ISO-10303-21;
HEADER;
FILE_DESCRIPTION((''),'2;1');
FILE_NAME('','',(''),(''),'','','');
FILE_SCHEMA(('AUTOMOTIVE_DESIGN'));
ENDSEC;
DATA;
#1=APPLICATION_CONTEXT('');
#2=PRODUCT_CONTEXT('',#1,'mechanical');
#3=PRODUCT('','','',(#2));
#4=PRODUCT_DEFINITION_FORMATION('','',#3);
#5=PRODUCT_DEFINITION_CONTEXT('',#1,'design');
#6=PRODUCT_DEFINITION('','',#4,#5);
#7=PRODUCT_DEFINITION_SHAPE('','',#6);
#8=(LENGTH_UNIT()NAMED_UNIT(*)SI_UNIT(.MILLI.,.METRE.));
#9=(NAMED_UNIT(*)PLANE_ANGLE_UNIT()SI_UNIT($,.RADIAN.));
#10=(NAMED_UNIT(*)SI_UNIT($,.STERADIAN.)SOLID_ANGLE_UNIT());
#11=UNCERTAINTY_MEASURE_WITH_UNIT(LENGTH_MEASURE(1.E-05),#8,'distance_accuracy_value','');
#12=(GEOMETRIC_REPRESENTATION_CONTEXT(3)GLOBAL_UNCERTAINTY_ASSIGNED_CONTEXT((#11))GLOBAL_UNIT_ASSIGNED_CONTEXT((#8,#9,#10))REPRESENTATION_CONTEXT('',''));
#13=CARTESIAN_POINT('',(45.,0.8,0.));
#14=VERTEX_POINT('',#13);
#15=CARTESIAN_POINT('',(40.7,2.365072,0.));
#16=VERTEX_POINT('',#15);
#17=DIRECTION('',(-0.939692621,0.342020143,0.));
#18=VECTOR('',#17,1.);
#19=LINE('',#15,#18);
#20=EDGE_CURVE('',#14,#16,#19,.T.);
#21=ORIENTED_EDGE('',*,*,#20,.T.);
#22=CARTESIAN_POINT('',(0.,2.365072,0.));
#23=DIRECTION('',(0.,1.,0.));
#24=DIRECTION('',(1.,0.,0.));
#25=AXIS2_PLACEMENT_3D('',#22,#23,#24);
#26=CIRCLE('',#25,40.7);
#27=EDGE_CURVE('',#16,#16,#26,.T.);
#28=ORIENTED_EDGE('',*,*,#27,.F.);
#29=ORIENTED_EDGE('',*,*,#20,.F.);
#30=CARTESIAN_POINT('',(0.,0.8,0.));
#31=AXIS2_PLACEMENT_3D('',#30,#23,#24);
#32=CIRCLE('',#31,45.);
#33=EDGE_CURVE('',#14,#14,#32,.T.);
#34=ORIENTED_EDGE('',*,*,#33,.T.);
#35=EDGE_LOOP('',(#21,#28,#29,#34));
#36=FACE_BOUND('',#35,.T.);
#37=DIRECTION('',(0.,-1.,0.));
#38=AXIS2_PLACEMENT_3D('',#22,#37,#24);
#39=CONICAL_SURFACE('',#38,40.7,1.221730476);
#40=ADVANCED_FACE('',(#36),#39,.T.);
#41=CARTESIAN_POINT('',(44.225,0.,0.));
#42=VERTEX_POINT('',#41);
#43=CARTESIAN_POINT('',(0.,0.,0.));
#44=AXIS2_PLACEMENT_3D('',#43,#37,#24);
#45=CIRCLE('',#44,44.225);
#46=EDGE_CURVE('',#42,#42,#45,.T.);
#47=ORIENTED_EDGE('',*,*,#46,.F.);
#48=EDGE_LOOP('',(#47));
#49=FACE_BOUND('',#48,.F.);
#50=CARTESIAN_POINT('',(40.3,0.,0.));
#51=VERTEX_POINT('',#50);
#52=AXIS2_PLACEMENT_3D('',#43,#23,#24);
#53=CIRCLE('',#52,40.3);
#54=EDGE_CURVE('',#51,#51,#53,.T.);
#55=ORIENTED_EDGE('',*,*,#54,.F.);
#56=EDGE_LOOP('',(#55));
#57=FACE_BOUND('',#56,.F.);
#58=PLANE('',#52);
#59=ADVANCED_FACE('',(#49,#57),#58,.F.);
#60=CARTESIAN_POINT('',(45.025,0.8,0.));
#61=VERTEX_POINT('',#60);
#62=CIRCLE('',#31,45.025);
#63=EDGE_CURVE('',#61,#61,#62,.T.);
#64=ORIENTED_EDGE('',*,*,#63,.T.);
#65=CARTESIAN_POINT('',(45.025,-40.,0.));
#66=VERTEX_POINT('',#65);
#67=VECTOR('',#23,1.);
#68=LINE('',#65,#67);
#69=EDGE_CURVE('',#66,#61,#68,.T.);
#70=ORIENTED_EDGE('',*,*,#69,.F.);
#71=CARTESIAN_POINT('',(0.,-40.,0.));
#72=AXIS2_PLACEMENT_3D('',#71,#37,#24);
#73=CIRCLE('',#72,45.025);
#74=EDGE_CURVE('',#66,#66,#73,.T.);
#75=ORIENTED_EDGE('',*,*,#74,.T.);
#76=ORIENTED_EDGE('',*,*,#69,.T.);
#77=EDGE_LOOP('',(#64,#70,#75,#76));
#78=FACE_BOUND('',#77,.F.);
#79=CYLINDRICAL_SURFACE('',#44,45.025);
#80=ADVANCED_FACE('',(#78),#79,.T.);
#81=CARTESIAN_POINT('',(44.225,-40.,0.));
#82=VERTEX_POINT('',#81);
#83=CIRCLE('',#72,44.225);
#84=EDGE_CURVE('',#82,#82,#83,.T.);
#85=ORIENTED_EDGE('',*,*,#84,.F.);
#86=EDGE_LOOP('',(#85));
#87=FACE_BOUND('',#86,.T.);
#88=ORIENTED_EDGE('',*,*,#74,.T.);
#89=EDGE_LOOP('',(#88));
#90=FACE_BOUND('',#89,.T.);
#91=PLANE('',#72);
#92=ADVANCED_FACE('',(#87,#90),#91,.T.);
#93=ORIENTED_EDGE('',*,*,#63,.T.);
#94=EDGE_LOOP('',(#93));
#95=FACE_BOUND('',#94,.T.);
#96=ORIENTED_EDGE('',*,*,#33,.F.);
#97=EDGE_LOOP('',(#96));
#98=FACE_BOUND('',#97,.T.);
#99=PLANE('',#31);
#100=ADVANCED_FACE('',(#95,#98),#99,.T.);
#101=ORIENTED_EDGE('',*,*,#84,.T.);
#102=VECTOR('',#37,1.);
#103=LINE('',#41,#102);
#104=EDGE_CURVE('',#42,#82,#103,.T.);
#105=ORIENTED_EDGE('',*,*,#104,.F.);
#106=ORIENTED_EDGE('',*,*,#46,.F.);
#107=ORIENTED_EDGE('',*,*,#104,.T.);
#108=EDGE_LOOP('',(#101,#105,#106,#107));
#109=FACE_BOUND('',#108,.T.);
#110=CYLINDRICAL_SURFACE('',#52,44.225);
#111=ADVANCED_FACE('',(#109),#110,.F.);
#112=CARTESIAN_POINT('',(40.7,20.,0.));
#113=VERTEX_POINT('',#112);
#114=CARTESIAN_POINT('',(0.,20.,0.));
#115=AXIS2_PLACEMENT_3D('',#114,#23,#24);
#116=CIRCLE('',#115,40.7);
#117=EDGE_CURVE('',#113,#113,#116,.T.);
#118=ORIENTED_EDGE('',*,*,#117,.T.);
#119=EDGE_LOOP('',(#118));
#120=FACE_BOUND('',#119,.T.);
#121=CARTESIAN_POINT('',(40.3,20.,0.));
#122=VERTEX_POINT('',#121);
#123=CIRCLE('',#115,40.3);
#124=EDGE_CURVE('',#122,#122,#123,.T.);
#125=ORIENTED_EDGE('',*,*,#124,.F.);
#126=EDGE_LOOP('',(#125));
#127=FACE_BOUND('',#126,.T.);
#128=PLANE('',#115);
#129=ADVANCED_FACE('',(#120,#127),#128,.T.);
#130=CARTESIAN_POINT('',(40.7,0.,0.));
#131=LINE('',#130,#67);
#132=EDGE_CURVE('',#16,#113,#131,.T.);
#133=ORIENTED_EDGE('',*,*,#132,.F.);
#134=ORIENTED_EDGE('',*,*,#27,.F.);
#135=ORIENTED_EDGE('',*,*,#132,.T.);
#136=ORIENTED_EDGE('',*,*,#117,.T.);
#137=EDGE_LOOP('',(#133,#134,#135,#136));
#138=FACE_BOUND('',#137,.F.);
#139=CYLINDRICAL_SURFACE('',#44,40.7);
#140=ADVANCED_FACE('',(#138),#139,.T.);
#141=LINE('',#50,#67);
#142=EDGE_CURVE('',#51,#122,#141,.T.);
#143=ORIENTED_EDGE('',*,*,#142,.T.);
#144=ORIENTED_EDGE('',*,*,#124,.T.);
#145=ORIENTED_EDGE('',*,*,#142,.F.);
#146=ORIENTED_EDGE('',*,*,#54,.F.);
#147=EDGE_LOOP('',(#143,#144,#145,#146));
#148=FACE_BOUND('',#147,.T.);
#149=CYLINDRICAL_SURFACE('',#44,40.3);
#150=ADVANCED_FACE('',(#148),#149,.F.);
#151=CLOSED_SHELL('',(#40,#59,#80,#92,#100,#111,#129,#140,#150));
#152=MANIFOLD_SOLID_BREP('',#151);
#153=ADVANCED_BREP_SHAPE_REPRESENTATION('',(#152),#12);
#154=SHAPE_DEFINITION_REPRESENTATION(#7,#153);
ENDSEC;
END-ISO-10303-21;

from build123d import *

# Parameters (mm, degrees)
SKETCH1_R           = 40.7
SKETCH1_R_2         = 40.3
BOSS_EXTRUDE1_DEPTH = 20
SKETCH2_R           = 45.025
SKETCH2_R_2         = 44.225
BOSS_EXTRUDE2_DEPTH = 40
SKETCH3_R           = 45.025
SKETCH3_R_2         = 40.7
BOSS_EXTRUDE3_DEPTH = 0.8
CHAMFER1_SIZE       = 4.3
CHAMFER1_SIZE2      = 1.565072007


with BuildPart() as part:
    # Sketch1 → Boss-Extrude1 (new body)
    with BuildSketch(Plane(origin=(0, 0, 0), x_dir=(1, 0, 0), z_dir=(0, 1, 0))):
        Circle(SKETCH1_R)
        Circle(SKETCH1_R_2, mode=Mode.SUBTRACT)
    extrude(amount=BOSS_EXTRUDE1_DEPTH)



with BuildPart() as body_2:
    # Sketch2 → Boss-Extrude2 (new body)
    with BuildSketch(Plane.XZ):
        Circle(SKETCH2_R)
        Circle(SKETCH2_R_2, mode=Mode.SUBTRACT)
    extrude(amount=BOSS_EXTRUDE2_DEPTH)


with BuildPart() as part_1:
    add(part.part)

    add(body_2.part)  # Boss-Extrude3 merges body 2
    # Sketch3 → Boss-Extrude3 (add)
    with BuildSketch(Plane(origin=(0, 0, 0), x_dir=(1, 0, 0), z_dir=(0, 1, 0))):
        Circle(SKETCH3_R)
        Circle(SKETCH3_R_2, mode=Mode.SUBTRACT)
    extrude(amount=BOSS_EXTRUDE3_DEPTH)

    # Chamfer1
    chamfer1_edges = [part_1.edges().sort_by_distance(p)[0] for p in [
        (-40.7, 0.8, 0),
    ]]
    chamfer1_side = [part_1.faces().sort_by_distance(p)[0] for p in [
        (-43.751500687, 0.8, 0),
    ]]
    chamfer(chamfer1_edges, length=CHAMFER1_SIZE, length2=CHAMFER1_SIZE2, reference=chamfer1_side[0])


solid = part_1.part
